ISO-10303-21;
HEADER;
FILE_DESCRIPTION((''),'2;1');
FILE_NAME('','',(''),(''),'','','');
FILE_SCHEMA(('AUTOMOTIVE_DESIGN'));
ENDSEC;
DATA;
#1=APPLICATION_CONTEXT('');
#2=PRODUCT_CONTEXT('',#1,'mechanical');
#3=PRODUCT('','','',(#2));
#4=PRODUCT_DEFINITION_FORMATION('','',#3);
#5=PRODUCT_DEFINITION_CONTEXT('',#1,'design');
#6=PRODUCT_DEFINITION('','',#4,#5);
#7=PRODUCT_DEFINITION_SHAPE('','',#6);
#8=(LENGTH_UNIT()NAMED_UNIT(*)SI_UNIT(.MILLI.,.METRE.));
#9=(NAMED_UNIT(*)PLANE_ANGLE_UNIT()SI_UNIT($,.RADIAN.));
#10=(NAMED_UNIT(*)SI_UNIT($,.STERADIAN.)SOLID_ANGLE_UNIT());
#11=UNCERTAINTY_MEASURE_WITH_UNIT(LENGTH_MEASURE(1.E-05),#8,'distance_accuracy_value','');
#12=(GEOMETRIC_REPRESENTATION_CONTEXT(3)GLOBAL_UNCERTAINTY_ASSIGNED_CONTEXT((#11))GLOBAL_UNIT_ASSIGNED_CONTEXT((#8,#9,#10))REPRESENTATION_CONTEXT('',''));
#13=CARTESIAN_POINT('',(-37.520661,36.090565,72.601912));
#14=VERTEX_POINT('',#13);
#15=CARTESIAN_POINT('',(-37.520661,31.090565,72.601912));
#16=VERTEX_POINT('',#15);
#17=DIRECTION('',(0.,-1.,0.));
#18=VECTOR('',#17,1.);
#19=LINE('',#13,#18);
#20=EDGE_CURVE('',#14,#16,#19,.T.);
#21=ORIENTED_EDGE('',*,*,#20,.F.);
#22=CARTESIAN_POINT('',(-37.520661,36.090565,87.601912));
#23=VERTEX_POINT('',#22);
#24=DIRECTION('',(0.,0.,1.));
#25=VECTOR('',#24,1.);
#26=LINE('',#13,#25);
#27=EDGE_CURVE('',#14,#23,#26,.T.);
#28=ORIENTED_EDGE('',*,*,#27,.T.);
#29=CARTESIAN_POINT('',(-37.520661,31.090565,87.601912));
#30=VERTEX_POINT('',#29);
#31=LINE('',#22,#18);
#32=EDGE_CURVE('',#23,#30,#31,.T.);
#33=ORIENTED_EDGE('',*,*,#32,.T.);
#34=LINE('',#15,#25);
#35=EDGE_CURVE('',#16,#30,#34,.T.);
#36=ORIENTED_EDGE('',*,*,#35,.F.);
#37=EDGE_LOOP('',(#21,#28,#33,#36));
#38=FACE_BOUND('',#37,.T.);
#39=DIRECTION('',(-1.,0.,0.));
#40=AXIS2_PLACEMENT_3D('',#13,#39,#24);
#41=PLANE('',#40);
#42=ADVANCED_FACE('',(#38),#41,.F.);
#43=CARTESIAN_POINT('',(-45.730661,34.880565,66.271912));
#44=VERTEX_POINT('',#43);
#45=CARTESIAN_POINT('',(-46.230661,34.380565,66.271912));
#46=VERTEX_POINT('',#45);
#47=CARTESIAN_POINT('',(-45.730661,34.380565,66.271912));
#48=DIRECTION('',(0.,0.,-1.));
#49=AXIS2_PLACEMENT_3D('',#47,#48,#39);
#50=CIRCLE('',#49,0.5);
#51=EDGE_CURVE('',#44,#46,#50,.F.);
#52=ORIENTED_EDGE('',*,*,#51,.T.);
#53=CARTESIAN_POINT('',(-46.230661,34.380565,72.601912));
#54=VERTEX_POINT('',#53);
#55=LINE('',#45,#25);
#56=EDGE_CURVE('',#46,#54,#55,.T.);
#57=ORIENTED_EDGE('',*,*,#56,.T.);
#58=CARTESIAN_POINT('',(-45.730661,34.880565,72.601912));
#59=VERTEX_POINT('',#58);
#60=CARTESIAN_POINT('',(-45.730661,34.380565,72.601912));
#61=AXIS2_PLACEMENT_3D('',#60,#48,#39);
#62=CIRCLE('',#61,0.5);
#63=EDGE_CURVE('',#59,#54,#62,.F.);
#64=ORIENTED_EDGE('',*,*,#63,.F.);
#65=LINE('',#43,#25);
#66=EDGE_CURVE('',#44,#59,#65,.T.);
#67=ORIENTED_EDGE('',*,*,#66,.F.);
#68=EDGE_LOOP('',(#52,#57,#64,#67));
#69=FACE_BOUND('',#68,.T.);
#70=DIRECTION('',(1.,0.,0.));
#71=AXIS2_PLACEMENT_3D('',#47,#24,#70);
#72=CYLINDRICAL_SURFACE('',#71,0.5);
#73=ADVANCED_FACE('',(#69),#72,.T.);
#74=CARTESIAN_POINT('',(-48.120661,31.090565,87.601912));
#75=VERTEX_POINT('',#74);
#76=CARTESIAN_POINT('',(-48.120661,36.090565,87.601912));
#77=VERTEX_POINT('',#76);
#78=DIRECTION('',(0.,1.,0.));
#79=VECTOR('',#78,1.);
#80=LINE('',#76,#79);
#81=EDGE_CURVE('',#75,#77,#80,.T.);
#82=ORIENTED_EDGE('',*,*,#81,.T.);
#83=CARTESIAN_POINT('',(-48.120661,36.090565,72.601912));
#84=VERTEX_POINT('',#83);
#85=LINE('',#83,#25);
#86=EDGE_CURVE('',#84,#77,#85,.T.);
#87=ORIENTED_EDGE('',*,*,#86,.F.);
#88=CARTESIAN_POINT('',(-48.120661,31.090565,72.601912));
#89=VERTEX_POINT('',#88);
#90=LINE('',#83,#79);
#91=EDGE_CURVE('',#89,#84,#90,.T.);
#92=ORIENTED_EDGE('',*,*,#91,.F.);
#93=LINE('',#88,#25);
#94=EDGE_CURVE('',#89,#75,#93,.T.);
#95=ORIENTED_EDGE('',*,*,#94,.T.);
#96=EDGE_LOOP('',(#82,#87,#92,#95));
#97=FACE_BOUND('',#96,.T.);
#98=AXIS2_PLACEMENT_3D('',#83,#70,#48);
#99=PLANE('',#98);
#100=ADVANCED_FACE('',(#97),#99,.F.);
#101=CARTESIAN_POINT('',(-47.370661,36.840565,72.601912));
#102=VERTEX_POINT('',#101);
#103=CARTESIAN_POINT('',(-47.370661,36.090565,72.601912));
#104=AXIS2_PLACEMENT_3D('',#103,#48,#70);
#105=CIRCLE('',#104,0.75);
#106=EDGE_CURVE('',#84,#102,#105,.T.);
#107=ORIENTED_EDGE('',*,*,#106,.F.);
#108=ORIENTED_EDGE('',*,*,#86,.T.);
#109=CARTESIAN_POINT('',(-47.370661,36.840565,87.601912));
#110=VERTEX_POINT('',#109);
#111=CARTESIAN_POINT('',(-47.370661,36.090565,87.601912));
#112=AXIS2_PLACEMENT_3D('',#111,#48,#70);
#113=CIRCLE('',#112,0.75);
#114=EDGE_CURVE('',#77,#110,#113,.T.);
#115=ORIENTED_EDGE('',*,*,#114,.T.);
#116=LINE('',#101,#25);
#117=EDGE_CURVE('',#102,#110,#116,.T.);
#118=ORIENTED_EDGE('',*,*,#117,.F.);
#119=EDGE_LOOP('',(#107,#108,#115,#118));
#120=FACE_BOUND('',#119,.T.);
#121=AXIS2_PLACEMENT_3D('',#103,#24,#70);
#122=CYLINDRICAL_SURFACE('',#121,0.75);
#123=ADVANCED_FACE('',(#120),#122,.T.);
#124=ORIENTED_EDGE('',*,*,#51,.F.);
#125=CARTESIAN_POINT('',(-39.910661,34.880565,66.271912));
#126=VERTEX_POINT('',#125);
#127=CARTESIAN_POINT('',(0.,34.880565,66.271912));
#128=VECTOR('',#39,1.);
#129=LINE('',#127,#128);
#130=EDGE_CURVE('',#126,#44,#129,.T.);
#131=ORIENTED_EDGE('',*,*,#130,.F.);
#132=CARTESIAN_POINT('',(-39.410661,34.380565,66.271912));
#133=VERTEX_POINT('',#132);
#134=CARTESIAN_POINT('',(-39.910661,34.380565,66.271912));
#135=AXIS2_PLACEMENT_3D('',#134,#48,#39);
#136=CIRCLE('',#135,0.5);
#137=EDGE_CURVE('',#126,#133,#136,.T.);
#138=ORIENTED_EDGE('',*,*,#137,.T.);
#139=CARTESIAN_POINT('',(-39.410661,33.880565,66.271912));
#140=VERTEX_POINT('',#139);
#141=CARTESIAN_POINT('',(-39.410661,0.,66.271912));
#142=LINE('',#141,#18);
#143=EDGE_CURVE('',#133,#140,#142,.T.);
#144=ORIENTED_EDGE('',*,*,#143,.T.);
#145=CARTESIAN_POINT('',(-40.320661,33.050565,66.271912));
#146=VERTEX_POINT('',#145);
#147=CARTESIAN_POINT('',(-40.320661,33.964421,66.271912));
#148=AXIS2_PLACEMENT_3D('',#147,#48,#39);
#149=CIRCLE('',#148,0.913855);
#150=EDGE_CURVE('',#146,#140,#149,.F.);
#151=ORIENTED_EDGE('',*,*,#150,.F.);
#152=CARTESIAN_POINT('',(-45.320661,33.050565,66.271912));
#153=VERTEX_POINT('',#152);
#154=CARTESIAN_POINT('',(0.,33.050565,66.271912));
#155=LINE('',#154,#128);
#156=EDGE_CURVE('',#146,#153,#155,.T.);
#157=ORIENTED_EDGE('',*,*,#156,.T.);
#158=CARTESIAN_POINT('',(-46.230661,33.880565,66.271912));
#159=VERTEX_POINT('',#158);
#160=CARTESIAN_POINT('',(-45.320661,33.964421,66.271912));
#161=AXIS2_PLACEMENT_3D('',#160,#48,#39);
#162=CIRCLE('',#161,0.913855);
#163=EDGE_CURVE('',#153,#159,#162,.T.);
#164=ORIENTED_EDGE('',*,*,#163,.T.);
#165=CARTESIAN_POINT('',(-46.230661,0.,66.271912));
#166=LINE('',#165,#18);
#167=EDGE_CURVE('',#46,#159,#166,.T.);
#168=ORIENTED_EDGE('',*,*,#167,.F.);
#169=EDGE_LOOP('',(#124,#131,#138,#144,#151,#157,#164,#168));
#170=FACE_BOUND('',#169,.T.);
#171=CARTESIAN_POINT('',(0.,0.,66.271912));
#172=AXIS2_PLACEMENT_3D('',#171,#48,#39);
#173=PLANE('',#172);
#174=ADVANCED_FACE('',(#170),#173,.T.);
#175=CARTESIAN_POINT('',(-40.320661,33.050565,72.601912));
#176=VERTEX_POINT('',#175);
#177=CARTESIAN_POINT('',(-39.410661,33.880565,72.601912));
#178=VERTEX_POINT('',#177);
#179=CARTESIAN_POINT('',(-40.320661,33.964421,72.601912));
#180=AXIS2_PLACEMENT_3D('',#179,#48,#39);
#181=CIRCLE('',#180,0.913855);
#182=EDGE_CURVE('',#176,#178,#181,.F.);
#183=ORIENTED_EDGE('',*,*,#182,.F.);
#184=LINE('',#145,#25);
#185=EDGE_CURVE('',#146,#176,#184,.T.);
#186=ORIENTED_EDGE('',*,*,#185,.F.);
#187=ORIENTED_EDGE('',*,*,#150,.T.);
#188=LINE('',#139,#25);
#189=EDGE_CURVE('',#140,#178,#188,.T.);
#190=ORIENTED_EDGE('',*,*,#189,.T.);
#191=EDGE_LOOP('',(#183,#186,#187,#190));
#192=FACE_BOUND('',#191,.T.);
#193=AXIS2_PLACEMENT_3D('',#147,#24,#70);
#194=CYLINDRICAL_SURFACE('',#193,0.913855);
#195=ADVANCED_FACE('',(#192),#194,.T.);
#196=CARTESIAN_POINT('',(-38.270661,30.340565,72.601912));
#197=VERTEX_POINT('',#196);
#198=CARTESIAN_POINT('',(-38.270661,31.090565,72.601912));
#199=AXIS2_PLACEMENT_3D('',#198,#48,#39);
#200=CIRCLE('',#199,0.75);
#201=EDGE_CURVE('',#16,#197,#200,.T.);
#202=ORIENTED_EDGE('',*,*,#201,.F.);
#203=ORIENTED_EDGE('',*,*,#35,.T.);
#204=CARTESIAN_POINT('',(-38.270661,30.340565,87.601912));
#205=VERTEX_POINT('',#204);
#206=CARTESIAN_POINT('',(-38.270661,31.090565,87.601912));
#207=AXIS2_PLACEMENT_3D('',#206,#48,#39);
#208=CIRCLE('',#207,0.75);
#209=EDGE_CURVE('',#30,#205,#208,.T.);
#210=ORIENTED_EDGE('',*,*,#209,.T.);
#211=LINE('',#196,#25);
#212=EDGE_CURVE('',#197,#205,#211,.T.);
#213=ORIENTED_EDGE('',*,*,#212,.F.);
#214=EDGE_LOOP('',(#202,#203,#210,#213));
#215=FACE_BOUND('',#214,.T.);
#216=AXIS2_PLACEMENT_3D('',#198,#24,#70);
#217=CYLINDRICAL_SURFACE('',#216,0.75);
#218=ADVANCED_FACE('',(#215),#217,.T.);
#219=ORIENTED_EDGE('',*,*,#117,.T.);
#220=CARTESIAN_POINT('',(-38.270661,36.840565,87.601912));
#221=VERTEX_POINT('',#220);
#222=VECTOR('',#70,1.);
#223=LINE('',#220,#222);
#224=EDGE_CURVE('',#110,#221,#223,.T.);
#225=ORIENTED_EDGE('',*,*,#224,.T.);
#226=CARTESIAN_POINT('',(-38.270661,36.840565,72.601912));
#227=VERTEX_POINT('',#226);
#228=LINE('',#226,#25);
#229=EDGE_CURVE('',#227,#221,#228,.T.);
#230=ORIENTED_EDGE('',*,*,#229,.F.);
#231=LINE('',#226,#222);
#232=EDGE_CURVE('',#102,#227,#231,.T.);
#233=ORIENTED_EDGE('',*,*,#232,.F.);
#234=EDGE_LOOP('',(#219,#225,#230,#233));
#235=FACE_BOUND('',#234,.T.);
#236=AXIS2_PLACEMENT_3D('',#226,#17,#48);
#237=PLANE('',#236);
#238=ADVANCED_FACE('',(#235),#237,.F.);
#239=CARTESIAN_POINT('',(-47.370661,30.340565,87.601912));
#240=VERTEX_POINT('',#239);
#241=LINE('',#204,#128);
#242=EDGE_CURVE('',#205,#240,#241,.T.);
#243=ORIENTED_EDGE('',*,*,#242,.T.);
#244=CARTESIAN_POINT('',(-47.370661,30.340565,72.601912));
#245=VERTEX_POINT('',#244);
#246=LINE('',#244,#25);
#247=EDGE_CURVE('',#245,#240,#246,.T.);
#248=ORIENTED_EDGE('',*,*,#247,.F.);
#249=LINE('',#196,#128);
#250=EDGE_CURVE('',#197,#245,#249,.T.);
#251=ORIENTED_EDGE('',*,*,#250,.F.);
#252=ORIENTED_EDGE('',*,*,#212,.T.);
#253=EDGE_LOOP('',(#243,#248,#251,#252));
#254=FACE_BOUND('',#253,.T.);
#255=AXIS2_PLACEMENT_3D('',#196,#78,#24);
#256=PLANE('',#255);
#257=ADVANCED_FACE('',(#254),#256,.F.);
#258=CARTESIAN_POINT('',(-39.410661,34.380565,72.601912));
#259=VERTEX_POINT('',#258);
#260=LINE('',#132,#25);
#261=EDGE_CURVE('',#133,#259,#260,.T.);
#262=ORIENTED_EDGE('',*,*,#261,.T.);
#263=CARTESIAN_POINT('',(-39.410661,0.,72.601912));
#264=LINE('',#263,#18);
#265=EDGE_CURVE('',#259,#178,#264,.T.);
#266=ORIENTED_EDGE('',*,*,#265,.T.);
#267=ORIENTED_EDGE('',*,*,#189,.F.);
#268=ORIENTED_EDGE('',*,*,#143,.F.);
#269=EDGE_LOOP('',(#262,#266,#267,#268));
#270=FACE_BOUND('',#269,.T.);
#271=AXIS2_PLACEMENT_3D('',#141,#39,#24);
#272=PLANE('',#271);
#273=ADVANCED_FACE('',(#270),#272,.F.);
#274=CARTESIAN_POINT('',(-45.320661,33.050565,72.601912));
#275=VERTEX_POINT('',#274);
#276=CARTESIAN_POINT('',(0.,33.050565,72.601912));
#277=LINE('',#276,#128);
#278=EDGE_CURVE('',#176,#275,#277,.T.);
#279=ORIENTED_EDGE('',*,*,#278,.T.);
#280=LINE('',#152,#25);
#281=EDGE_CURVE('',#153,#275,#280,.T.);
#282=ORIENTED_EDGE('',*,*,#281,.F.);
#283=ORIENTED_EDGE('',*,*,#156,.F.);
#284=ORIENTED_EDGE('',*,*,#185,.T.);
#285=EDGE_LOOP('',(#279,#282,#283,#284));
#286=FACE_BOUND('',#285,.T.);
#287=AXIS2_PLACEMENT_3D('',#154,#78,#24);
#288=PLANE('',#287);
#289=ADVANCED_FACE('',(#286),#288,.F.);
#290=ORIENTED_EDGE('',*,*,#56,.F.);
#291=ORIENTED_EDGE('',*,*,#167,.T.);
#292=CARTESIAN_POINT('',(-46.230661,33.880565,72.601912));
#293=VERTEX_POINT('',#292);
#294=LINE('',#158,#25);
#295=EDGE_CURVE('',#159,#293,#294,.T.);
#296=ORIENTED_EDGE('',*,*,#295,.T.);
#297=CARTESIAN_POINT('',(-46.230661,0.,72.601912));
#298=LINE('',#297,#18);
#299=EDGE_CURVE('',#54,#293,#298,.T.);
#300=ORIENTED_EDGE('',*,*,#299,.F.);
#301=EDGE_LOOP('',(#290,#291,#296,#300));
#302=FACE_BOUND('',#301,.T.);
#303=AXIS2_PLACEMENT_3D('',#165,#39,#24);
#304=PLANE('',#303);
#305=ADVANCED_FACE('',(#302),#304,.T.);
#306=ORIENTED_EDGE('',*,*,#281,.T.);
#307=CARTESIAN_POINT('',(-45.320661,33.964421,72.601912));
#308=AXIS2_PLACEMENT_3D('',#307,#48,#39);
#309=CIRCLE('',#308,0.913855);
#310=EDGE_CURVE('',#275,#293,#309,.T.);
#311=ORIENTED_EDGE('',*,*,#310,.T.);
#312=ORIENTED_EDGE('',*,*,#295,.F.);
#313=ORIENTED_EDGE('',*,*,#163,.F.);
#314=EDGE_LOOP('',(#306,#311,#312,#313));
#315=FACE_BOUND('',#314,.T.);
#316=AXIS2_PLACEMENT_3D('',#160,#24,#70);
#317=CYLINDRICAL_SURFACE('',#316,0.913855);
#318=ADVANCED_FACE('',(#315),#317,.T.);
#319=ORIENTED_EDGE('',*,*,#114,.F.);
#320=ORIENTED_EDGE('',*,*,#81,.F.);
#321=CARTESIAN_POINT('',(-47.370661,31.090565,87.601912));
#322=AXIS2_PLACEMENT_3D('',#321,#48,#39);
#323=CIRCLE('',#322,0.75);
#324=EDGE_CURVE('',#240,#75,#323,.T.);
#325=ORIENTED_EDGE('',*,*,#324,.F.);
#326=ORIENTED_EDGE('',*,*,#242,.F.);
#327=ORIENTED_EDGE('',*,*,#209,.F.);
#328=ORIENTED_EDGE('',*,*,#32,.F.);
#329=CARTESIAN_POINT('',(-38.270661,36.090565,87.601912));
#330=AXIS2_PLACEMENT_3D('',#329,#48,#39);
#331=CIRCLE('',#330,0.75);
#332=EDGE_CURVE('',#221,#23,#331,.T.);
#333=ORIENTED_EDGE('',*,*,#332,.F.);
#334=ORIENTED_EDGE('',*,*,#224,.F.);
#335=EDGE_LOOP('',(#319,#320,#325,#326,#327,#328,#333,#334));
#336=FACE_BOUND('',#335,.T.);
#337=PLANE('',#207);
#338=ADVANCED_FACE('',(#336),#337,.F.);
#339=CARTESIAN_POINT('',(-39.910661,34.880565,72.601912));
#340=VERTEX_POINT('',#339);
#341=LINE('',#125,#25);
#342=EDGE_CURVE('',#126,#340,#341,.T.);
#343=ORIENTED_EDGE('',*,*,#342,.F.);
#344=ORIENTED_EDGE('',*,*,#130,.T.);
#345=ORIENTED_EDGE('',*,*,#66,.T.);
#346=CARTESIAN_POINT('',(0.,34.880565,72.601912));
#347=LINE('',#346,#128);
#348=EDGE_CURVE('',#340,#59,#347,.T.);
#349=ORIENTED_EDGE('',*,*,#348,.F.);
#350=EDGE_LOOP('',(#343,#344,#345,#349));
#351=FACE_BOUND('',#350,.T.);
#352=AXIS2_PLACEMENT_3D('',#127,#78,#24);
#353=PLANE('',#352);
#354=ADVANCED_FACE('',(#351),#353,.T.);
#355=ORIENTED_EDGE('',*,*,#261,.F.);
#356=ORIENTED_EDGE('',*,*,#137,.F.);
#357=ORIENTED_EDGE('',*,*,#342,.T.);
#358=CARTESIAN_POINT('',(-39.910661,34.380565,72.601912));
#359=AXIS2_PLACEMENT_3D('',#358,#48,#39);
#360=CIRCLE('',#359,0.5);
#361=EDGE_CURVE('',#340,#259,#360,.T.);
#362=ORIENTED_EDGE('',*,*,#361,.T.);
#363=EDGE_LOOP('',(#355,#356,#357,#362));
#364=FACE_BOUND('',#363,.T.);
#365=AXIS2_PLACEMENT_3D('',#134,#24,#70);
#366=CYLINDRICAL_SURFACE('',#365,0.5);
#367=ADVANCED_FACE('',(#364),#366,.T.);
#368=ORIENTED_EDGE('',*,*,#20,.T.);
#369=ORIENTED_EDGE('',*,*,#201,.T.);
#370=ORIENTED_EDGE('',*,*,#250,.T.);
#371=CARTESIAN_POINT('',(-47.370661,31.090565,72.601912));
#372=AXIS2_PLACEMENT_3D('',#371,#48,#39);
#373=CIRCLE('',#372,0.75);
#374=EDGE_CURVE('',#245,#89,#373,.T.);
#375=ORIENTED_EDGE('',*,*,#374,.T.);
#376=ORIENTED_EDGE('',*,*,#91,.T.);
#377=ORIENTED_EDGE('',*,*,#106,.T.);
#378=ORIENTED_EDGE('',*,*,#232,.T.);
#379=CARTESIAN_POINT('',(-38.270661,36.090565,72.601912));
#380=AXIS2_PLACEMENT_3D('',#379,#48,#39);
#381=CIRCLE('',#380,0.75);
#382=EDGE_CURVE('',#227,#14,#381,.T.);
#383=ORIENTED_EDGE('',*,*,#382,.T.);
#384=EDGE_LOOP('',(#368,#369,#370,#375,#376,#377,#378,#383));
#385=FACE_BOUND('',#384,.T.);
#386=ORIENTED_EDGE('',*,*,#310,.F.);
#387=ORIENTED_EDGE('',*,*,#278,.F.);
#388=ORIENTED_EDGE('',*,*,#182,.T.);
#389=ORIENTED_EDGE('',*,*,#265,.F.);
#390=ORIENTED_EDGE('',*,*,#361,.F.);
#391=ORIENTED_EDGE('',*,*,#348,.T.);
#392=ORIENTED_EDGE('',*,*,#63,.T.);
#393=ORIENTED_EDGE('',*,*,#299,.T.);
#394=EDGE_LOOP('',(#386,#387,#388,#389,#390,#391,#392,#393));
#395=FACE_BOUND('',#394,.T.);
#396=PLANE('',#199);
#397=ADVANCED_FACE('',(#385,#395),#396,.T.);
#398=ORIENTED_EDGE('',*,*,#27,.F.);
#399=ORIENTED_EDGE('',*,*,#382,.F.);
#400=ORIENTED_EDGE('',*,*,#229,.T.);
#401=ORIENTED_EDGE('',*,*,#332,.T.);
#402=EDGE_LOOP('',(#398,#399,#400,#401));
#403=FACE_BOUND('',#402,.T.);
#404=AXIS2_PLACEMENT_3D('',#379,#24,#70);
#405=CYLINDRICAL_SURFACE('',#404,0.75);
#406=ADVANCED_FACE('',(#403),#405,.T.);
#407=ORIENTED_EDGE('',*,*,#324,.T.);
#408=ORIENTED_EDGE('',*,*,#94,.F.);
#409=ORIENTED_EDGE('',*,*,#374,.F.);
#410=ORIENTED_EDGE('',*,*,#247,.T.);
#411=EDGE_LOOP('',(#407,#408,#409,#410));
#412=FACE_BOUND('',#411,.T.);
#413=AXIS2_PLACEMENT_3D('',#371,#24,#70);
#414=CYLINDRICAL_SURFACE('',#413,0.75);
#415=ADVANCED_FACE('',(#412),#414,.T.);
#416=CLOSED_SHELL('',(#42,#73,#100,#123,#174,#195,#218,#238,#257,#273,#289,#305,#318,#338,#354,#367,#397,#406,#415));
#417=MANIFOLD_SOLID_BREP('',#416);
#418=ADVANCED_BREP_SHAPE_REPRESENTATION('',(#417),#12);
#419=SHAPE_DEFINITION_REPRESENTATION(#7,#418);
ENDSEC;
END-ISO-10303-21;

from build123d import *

# Parameters (mm, degrees)
BOSS_EXTRUDE1_DEPTH = 15
BOSS_EXTRUDE2_DEPTH = 6.33


with BuildPart() as part:
    # Sketch1 → Boss-Extrude1 (new body)
    with BuildSketch(Plane(origin=(0, 0, 87.601912264), x_dir=(-1, 0, 0), z_dir=(0, 0, -1))):
        with BuildLine():
            Line((38.270660543, 36.840565439), (47.370660543, 36.840565439))
            ThreePointArc((47.370660543, 36.840565439), (47.900990629, 36.620895525), (48.120660543, 36.090565439))
            Line((48.120660543, 36.090565439), (48.120660543, 31.090565439))
            ThreePointArc((48.120660543, 31.090565439), (47.900990629, 30.560235353), (47.370660543, 30.340565439))
            Line((47.370660543, 30.340565439), (38.270660543, 30.340565439))
            ThreePointArc((38.270660543, 30.340565439), (37.740330458, 30.560235353), (37.520660543, 31.090565439))
            Line((37.520660543, 31.090565439), (37.520660543, 36.090565439))
            ThreePointArc((37.520660543, 36.090565439), (37.740330458, 36.620895525), (38.270660543, 36.840565439))
        make_face()
    extrude(amount=BOSS_EXTRUDE1_DEPTH)

    # Sketch2 → Boss-Extrude2 (add)
    with BuildSketch(Plane(origin=(0, 0, 72.601912264), x_dir=(-1, 0, 0), z_dir=(0, 0, -1))):
        with BuildLine():
            ThreePointArc((40.320660543, 33.050565439), (39.704827774, 33.289230716), (39.410660543, 33.880565439))
            Line((39.410660543, 33.880565439), (39.410660543, 34.380565439))
            ThreePointArc((39.410660543, 34.380565439), (39.557107153, 34.73411883), (39.910660543, 34.880565439))
            Line((39.910660543, 34.880565439), (45.730660543, 34.880565439))
            ThreePointArc((45.730660543, 34.880565439), (46.084213934, 34.73411883), (46.230660543, 34.380565439))
            Line((46.230660543, 34.380565439), (46.230660543, 33.880565439))
            ThreePointArc((46.230660543, 33.880565439), (45.936493313, 33.289230716), (45.320660543, 33.050565439))
            Line((45.320660543, 33.050565439), (40.320660543, 33.050565439))
        make_face()
    extrude(amount=BOSS_EXTRUDE2_DEPTH)


solid = part.part
